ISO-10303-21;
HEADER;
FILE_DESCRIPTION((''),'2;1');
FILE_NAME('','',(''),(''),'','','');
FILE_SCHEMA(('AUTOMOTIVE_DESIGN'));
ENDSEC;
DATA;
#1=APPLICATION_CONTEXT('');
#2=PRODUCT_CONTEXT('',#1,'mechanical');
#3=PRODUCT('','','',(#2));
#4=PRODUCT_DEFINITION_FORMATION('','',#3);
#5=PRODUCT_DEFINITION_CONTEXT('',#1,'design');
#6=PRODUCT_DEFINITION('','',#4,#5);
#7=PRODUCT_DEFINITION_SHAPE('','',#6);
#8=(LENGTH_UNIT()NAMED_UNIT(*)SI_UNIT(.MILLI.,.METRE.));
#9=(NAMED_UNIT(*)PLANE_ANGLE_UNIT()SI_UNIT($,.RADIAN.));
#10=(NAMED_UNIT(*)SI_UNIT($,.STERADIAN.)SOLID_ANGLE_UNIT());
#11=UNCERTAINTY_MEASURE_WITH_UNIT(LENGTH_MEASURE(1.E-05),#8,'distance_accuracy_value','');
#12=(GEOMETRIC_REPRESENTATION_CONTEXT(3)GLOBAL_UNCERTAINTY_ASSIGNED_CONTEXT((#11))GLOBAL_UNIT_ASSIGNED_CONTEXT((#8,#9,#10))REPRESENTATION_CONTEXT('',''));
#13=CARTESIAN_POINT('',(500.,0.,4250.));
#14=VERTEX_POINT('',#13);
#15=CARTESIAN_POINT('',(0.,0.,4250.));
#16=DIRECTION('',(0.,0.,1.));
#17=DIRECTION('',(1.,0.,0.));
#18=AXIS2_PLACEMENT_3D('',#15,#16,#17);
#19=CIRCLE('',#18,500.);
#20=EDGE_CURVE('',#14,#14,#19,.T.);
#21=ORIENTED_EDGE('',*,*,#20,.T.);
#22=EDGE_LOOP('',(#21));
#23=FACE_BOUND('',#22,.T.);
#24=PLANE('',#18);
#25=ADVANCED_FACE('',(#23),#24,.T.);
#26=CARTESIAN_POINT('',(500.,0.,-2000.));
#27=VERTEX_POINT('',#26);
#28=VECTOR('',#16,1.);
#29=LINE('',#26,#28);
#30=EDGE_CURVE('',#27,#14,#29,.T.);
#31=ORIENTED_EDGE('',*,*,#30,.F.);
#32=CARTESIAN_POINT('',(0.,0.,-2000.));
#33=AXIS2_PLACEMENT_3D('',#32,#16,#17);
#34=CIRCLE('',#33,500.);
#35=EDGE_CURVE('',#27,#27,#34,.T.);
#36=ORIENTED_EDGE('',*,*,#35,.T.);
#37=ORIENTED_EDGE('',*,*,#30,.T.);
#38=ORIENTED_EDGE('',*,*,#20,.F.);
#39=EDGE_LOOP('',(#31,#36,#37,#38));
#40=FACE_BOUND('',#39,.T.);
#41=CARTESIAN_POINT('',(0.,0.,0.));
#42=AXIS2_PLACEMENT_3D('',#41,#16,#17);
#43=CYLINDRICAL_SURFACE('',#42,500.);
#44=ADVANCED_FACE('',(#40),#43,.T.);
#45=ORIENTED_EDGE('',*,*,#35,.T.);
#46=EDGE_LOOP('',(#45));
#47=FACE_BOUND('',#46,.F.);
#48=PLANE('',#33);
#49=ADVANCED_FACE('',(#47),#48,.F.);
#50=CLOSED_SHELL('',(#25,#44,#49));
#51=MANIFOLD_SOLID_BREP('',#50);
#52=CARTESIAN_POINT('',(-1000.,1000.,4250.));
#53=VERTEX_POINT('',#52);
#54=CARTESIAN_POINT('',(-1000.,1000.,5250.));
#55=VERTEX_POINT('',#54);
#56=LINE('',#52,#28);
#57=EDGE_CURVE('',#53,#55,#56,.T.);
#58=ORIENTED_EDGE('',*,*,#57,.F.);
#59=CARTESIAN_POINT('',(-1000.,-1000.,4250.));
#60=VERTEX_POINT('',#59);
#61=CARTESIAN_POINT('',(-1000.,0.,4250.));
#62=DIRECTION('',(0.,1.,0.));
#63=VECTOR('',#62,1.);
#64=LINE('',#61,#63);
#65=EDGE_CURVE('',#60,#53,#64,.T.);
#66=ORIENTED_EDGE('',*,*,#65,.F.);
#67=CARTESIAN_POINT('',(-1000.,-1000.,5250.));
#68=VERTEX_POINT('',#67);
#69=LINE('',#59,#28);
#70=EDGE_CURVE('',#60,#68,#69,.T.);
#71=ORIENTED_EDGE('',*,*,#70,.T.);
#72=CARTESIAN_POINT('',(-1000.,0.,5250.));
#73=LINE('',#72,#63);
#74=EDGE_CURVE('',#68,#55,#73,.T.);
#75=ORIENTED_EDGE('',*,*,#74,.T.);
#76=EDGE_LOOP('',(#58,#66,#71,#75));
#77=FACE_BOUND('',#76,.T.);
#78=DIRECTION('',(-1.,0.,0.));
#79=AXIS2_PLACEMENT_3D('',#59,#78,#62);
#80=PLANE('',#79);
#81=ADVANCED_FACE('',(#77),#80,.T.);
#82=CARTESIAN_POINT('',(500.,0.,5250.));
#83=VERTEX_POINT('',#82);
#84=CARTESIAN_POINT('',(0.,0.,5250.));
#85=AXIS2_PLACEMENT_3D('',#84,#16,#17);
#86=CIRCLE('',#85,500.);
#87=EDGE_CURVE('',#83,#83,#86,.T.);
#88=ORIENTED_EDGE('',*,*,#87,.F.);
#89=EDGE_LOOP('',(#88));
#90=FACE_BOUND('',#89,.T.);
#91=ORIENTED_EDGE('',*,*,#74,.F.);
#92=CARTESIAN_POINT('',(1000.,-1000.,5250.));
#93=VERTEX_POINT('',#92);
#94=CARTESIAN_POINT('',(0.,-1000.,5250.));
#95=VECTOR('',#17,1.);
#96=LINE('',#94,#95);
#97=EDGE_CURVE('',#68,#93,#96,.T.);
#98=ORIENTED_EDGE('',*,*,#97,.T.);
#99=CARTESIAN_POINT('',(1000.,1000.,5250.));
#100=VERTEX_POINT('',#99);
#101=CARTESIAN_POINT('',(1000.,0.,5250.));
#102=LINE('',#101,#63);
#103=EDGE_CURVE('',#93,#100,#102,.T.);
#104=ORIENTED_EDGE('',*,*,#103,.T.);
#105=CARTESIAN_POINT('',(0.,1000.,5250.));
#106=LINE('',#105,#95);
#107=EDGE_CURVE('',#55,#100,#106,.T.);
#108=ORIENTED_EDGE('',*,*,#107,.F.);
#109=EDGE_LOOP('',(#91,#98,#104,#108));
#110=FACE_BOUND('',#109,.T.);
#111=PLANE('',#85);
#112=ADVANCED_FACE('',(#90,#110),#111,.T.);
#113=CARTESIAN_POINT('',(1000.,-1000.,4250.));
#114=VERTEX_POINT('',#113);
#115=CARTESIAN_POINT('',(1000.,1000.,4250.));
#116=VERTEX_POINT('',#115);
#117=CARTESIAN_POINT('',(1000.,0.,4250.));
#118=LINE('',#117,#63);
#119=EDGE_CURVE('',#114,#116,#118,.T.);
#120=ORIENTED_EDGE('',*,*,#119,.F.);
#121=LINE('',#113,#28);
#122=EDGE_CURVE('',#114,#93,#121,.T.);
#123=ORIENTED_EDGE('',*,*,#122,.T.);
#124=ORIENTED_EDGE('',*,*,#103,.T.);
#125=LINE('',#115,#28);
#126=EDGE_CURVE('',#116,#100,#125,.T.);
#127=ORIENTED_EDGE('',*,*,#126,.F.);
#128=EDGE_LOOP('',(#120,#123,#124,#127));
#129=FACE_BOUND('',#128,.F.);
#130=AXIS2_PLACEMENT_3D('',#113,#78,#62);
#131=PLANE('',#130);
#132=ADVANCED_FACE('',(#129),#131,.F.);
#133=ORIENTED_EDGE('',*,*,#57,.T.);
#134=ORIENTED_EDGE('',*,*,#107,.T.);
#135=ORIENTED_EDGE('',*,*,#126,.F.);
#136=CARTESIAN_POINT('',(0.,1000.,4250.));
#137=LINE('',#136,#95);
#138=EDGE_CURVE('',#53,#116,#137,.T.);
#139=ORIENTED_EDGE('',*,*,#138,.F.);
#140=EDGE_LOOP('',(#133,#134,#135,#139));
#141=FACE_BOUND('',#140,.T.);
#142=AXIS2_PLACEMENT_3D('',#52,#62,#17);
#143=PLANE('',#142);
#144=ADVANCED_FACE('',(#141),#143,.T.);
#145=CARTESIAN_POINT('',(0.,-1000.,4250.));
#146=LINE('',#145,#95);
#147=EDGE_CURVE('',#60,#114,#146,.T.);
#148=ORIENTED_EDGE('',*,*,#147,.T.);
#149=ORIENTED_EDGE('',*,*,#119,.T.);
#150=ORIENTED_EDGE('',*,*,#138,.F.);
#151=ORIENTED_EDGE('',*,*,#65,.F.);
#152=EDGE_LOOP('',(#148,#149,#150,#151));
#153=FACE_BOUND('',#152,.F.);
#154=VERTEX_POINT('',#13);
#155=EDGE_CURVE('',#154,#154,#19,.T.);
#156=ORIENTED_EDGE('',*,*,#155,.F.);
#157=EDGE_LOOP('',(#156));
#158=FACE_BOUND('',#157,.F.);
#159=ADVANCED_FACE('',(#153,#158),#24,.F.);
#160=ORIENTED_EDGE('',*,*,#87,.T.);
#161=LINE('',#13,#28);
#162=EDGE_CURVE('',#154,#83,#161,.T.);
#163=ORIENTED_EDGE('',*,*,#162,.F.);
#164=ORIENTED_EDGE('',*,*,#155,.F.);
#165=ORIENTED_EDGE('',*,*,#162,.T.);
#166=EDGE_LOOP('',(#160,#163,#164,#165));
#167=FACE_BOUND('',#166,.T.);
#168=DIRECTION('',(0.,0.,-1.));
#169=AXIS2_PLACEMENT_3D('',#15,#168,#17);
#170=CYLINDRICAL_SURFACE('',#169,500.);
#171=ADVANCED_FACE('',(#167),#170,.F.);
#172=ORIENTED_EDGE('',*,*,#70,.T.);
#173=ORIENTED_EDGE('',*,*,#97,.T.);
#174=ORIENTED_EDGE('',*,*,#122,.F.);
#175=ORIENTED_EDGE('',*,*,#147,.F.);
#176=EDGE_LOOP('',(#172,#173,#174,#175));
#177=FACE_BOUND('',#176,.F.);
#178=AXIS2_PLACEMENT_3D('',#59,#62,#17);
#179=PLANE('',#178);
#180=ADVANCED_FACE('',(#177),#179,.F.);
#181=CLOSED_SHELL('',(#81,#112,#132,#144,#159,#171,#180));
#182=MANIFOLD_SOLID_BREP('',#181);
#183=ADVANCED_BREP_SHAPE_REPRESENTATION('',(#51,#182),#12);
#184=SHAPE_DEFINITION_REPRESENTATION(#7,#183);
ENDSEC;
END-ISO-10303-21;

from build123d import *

# Parameters (mm, degrees)
F0_R     = 500
F1_DEPTH = 4250
F2_W     = 2000
F2_H     = 2000
F2_R     = 500
F3_DEPTH = 1000
F4_DEPTH = 2000


with BuildPart() as f1:
    # F0 (on Top) → F1 (new body)
    with BuildSketch(Plane.XY):
        Circle(F0_R)
    extrude(amount=F1_DEPTH)

    # F4 (add): a face of the model
    f4_faces = [f1.faces().sort_by_distance(p)[0] for p in [
        (0, 0, 0),
    ]]
    extrude(f4_faces, amount=F4_DEPTH)


with BuildPart() as f3:
    # F2 (on face) → F3 (new body)
    with BuildSketch(Plane.XY.offset(4250)):
        Rectangle(F2_W, F2_H)
        Circle(F2_R, mode=Mode.SUBTRACT)
    extrude(amount=F3_DEPTH)


solid = Compound([f1.part, f3.part])
